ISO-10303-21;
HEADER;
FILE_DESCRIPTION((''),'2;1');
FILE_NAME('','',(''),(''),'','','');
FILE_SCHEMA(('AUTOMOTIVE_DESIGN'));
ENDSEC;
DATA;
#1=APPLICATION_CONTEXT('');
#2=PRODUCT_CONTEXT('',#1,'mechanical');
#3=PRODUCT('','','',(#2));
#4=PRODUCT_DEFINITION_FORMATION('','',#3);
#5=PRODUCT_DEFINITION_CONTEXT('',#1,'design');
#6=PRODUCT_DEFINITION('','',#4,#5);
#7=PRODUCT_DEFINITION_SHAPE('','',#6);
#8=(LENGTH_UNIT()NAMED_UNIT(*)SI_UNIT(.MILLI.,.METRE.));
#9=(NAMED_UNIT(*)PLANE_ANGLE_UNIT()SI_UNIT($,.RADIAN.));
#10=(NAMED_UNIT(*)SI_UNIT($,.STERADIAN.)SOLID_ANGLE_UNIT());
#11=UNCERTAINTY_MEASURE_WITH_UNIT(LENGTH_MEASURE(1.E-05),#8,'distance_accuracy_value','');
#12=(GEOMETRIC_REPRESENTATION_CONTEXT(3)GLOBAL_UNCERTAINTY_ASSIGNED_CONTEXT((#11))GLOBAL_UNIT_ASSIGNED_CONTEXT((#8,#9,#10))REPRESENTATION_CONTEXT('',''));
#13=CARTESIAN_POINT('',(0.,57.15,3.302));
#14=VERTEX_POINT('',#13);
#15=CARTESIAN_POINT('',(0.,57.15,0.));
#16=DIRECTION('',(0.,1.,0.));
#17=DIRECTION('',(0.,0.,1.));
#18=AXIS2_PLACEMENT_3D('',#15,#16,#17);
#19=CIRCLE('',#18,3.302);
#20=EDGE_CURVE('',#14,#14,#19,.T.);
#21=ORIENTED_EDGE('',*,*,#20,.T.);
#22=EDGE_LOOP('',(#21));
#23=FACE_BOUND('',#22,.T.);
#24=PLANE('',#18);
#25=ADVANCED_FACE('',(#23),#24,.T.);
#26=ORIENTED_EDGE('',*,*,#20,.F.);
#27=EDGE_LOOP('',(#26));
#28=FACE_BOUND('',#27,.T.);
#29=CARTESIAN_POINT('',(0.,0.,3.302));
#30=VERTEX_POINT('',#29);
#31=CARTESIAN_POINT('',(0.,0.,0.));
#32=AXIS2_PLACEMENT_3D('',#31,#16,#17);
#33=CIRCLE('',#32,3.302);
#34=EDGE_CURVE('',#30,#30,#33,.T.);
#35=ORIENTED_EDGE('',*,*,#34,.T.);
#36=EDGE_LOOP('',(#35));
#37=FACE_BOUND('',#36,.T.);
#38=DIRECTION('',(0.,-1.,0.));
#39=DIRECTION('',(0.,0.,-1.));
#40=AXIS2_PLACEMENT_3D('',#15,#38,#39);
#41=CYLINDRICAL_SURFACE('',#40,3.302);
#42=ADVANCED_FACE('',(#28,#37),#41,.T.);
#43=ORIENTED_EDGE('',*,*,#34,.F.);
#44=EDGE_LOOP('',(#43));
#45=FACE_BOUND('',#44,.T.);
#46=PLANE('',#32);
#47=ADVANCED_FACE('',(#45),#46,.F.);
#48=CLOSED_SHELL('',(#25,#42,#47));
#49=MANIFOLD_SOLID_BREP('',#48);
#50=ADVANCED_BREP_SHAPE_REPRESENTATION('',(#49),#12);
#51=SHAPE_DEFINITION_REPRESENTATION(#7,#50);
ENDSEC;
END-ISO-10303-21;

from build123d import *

# Parameters (mm, degrees)
SKETCH1_R      = 3.302
EXTRUDE1_DEPTH = 57.15


with BuildPart() as part:
    # Sketch1 → Extrude1 (new body)
    with BuildSketch(Plane(origin=(0, 0, 0), x_dir=(1, 0, 0), z_dir=(0, 1, 0))):
        Circle(SKETCH1_R)
    extrude(amount=EXTRUDE1_DEPTH)


solid = part.part
